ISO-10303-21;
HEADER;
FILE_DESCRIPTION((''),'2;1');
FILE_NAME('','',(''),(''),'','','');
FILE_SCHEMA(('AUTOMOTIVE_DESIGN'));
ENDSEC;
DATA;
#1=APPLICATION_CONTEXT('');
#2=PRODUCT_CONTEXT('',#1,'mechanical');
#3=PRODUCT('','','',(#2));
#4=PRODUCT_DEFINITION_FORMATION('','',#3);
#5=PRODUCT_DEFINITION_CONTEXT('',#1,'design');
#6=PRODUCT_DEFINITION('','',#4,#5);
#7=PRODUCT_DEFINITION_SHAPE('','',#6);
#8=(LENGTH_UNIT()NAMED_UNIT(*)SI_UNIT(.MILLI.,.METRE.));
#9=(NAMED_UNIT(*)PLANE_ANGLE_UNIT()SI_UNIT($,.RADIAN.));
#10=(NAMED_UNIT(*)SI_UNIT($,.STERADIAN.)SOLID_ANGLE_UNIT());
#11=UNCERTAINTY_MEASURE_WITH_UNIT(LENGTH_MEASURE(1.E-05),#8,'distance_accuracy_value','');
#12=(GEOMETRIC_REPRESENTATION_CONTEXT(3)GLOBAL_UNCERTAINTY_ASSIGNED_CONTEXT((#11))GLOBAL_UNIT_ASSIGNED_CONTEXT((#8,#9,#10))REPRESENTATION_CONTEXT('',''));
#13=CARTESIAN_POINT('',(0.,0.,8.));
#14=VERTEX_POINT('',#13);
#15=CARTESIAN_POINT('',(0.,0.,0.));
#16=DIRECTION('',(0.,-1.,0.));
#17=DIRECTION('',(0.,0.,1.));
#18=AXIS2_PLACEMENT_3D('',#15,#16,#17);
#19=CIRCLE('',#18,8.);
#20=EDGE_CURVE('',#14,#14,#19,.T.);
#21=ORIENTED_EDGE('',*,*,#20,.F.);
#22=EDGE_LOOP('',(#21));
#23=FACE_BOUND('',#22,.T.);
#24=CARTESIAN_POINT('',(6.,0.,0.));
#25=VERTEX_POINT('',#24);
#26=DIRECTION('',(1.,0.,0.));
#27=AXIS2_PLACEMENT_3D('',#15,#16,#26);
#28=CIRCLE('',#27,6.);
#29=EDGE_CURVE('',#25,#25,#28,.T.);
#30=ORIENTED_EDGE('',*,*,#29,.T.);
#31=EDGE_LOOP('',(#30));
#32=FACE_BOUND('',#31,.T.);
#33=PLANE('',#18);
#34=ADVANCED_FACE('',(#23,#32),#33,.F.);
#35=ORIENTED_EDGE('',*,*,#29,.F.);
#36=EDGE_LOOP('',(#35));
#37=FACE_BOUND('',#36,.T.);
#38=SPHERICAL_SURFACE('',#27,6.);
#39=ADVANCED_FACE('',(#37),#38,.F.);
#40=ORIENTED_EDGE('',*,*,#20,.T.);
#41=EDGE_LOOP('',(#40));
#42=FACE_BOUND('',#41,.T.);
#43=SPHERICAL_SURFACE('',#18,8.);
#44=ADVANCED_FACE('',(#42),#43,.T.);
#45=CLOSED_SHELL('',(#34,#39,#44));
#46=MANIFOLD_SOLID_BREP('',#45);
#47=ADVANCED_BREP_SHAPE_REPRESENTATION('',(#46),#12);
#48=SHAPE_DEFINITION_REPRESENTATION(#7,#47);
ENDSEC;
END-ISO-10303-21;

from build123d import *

# Parameters (mm, degrees)
REVOLVE1_ANGLE = 180


with BuildPart() as part:
    # Sketch1 → Revolve1 (revolve)
    with BuildSketch(Plane(origin=(0, 0, 0), x_dir=(1, 0, 0), z_dir=(0, 1, 0))):
        with BuildLine():
            Line((0, 8), (0, -8))
            ThreePointArc((0, -8), (-8, 0), (0, 8))
        make_face()
    revolve(axis=Axis((0, 0, -8), (0, 0, 1)), revolution_arc=REVOLVE1_ANGLE)

    # Sketch2 → Cut-Revolve1 (revolve, cut)
    with BuildSketch(Plane(origin=(0, 0, 0), x_dir=(1, 0, 0), z_dir=(0, 1, 0))):
        with BuildLine():
            Line((0, 6), (0, -6))
            ThreePointArc((0, -6), (-6, 0), (0, 6))
        make_face()
    revolve(axis=Axis((0, 0, -6), (0, 0, 1)), mode=Mode.SUBTRACT)


solid = part.part
